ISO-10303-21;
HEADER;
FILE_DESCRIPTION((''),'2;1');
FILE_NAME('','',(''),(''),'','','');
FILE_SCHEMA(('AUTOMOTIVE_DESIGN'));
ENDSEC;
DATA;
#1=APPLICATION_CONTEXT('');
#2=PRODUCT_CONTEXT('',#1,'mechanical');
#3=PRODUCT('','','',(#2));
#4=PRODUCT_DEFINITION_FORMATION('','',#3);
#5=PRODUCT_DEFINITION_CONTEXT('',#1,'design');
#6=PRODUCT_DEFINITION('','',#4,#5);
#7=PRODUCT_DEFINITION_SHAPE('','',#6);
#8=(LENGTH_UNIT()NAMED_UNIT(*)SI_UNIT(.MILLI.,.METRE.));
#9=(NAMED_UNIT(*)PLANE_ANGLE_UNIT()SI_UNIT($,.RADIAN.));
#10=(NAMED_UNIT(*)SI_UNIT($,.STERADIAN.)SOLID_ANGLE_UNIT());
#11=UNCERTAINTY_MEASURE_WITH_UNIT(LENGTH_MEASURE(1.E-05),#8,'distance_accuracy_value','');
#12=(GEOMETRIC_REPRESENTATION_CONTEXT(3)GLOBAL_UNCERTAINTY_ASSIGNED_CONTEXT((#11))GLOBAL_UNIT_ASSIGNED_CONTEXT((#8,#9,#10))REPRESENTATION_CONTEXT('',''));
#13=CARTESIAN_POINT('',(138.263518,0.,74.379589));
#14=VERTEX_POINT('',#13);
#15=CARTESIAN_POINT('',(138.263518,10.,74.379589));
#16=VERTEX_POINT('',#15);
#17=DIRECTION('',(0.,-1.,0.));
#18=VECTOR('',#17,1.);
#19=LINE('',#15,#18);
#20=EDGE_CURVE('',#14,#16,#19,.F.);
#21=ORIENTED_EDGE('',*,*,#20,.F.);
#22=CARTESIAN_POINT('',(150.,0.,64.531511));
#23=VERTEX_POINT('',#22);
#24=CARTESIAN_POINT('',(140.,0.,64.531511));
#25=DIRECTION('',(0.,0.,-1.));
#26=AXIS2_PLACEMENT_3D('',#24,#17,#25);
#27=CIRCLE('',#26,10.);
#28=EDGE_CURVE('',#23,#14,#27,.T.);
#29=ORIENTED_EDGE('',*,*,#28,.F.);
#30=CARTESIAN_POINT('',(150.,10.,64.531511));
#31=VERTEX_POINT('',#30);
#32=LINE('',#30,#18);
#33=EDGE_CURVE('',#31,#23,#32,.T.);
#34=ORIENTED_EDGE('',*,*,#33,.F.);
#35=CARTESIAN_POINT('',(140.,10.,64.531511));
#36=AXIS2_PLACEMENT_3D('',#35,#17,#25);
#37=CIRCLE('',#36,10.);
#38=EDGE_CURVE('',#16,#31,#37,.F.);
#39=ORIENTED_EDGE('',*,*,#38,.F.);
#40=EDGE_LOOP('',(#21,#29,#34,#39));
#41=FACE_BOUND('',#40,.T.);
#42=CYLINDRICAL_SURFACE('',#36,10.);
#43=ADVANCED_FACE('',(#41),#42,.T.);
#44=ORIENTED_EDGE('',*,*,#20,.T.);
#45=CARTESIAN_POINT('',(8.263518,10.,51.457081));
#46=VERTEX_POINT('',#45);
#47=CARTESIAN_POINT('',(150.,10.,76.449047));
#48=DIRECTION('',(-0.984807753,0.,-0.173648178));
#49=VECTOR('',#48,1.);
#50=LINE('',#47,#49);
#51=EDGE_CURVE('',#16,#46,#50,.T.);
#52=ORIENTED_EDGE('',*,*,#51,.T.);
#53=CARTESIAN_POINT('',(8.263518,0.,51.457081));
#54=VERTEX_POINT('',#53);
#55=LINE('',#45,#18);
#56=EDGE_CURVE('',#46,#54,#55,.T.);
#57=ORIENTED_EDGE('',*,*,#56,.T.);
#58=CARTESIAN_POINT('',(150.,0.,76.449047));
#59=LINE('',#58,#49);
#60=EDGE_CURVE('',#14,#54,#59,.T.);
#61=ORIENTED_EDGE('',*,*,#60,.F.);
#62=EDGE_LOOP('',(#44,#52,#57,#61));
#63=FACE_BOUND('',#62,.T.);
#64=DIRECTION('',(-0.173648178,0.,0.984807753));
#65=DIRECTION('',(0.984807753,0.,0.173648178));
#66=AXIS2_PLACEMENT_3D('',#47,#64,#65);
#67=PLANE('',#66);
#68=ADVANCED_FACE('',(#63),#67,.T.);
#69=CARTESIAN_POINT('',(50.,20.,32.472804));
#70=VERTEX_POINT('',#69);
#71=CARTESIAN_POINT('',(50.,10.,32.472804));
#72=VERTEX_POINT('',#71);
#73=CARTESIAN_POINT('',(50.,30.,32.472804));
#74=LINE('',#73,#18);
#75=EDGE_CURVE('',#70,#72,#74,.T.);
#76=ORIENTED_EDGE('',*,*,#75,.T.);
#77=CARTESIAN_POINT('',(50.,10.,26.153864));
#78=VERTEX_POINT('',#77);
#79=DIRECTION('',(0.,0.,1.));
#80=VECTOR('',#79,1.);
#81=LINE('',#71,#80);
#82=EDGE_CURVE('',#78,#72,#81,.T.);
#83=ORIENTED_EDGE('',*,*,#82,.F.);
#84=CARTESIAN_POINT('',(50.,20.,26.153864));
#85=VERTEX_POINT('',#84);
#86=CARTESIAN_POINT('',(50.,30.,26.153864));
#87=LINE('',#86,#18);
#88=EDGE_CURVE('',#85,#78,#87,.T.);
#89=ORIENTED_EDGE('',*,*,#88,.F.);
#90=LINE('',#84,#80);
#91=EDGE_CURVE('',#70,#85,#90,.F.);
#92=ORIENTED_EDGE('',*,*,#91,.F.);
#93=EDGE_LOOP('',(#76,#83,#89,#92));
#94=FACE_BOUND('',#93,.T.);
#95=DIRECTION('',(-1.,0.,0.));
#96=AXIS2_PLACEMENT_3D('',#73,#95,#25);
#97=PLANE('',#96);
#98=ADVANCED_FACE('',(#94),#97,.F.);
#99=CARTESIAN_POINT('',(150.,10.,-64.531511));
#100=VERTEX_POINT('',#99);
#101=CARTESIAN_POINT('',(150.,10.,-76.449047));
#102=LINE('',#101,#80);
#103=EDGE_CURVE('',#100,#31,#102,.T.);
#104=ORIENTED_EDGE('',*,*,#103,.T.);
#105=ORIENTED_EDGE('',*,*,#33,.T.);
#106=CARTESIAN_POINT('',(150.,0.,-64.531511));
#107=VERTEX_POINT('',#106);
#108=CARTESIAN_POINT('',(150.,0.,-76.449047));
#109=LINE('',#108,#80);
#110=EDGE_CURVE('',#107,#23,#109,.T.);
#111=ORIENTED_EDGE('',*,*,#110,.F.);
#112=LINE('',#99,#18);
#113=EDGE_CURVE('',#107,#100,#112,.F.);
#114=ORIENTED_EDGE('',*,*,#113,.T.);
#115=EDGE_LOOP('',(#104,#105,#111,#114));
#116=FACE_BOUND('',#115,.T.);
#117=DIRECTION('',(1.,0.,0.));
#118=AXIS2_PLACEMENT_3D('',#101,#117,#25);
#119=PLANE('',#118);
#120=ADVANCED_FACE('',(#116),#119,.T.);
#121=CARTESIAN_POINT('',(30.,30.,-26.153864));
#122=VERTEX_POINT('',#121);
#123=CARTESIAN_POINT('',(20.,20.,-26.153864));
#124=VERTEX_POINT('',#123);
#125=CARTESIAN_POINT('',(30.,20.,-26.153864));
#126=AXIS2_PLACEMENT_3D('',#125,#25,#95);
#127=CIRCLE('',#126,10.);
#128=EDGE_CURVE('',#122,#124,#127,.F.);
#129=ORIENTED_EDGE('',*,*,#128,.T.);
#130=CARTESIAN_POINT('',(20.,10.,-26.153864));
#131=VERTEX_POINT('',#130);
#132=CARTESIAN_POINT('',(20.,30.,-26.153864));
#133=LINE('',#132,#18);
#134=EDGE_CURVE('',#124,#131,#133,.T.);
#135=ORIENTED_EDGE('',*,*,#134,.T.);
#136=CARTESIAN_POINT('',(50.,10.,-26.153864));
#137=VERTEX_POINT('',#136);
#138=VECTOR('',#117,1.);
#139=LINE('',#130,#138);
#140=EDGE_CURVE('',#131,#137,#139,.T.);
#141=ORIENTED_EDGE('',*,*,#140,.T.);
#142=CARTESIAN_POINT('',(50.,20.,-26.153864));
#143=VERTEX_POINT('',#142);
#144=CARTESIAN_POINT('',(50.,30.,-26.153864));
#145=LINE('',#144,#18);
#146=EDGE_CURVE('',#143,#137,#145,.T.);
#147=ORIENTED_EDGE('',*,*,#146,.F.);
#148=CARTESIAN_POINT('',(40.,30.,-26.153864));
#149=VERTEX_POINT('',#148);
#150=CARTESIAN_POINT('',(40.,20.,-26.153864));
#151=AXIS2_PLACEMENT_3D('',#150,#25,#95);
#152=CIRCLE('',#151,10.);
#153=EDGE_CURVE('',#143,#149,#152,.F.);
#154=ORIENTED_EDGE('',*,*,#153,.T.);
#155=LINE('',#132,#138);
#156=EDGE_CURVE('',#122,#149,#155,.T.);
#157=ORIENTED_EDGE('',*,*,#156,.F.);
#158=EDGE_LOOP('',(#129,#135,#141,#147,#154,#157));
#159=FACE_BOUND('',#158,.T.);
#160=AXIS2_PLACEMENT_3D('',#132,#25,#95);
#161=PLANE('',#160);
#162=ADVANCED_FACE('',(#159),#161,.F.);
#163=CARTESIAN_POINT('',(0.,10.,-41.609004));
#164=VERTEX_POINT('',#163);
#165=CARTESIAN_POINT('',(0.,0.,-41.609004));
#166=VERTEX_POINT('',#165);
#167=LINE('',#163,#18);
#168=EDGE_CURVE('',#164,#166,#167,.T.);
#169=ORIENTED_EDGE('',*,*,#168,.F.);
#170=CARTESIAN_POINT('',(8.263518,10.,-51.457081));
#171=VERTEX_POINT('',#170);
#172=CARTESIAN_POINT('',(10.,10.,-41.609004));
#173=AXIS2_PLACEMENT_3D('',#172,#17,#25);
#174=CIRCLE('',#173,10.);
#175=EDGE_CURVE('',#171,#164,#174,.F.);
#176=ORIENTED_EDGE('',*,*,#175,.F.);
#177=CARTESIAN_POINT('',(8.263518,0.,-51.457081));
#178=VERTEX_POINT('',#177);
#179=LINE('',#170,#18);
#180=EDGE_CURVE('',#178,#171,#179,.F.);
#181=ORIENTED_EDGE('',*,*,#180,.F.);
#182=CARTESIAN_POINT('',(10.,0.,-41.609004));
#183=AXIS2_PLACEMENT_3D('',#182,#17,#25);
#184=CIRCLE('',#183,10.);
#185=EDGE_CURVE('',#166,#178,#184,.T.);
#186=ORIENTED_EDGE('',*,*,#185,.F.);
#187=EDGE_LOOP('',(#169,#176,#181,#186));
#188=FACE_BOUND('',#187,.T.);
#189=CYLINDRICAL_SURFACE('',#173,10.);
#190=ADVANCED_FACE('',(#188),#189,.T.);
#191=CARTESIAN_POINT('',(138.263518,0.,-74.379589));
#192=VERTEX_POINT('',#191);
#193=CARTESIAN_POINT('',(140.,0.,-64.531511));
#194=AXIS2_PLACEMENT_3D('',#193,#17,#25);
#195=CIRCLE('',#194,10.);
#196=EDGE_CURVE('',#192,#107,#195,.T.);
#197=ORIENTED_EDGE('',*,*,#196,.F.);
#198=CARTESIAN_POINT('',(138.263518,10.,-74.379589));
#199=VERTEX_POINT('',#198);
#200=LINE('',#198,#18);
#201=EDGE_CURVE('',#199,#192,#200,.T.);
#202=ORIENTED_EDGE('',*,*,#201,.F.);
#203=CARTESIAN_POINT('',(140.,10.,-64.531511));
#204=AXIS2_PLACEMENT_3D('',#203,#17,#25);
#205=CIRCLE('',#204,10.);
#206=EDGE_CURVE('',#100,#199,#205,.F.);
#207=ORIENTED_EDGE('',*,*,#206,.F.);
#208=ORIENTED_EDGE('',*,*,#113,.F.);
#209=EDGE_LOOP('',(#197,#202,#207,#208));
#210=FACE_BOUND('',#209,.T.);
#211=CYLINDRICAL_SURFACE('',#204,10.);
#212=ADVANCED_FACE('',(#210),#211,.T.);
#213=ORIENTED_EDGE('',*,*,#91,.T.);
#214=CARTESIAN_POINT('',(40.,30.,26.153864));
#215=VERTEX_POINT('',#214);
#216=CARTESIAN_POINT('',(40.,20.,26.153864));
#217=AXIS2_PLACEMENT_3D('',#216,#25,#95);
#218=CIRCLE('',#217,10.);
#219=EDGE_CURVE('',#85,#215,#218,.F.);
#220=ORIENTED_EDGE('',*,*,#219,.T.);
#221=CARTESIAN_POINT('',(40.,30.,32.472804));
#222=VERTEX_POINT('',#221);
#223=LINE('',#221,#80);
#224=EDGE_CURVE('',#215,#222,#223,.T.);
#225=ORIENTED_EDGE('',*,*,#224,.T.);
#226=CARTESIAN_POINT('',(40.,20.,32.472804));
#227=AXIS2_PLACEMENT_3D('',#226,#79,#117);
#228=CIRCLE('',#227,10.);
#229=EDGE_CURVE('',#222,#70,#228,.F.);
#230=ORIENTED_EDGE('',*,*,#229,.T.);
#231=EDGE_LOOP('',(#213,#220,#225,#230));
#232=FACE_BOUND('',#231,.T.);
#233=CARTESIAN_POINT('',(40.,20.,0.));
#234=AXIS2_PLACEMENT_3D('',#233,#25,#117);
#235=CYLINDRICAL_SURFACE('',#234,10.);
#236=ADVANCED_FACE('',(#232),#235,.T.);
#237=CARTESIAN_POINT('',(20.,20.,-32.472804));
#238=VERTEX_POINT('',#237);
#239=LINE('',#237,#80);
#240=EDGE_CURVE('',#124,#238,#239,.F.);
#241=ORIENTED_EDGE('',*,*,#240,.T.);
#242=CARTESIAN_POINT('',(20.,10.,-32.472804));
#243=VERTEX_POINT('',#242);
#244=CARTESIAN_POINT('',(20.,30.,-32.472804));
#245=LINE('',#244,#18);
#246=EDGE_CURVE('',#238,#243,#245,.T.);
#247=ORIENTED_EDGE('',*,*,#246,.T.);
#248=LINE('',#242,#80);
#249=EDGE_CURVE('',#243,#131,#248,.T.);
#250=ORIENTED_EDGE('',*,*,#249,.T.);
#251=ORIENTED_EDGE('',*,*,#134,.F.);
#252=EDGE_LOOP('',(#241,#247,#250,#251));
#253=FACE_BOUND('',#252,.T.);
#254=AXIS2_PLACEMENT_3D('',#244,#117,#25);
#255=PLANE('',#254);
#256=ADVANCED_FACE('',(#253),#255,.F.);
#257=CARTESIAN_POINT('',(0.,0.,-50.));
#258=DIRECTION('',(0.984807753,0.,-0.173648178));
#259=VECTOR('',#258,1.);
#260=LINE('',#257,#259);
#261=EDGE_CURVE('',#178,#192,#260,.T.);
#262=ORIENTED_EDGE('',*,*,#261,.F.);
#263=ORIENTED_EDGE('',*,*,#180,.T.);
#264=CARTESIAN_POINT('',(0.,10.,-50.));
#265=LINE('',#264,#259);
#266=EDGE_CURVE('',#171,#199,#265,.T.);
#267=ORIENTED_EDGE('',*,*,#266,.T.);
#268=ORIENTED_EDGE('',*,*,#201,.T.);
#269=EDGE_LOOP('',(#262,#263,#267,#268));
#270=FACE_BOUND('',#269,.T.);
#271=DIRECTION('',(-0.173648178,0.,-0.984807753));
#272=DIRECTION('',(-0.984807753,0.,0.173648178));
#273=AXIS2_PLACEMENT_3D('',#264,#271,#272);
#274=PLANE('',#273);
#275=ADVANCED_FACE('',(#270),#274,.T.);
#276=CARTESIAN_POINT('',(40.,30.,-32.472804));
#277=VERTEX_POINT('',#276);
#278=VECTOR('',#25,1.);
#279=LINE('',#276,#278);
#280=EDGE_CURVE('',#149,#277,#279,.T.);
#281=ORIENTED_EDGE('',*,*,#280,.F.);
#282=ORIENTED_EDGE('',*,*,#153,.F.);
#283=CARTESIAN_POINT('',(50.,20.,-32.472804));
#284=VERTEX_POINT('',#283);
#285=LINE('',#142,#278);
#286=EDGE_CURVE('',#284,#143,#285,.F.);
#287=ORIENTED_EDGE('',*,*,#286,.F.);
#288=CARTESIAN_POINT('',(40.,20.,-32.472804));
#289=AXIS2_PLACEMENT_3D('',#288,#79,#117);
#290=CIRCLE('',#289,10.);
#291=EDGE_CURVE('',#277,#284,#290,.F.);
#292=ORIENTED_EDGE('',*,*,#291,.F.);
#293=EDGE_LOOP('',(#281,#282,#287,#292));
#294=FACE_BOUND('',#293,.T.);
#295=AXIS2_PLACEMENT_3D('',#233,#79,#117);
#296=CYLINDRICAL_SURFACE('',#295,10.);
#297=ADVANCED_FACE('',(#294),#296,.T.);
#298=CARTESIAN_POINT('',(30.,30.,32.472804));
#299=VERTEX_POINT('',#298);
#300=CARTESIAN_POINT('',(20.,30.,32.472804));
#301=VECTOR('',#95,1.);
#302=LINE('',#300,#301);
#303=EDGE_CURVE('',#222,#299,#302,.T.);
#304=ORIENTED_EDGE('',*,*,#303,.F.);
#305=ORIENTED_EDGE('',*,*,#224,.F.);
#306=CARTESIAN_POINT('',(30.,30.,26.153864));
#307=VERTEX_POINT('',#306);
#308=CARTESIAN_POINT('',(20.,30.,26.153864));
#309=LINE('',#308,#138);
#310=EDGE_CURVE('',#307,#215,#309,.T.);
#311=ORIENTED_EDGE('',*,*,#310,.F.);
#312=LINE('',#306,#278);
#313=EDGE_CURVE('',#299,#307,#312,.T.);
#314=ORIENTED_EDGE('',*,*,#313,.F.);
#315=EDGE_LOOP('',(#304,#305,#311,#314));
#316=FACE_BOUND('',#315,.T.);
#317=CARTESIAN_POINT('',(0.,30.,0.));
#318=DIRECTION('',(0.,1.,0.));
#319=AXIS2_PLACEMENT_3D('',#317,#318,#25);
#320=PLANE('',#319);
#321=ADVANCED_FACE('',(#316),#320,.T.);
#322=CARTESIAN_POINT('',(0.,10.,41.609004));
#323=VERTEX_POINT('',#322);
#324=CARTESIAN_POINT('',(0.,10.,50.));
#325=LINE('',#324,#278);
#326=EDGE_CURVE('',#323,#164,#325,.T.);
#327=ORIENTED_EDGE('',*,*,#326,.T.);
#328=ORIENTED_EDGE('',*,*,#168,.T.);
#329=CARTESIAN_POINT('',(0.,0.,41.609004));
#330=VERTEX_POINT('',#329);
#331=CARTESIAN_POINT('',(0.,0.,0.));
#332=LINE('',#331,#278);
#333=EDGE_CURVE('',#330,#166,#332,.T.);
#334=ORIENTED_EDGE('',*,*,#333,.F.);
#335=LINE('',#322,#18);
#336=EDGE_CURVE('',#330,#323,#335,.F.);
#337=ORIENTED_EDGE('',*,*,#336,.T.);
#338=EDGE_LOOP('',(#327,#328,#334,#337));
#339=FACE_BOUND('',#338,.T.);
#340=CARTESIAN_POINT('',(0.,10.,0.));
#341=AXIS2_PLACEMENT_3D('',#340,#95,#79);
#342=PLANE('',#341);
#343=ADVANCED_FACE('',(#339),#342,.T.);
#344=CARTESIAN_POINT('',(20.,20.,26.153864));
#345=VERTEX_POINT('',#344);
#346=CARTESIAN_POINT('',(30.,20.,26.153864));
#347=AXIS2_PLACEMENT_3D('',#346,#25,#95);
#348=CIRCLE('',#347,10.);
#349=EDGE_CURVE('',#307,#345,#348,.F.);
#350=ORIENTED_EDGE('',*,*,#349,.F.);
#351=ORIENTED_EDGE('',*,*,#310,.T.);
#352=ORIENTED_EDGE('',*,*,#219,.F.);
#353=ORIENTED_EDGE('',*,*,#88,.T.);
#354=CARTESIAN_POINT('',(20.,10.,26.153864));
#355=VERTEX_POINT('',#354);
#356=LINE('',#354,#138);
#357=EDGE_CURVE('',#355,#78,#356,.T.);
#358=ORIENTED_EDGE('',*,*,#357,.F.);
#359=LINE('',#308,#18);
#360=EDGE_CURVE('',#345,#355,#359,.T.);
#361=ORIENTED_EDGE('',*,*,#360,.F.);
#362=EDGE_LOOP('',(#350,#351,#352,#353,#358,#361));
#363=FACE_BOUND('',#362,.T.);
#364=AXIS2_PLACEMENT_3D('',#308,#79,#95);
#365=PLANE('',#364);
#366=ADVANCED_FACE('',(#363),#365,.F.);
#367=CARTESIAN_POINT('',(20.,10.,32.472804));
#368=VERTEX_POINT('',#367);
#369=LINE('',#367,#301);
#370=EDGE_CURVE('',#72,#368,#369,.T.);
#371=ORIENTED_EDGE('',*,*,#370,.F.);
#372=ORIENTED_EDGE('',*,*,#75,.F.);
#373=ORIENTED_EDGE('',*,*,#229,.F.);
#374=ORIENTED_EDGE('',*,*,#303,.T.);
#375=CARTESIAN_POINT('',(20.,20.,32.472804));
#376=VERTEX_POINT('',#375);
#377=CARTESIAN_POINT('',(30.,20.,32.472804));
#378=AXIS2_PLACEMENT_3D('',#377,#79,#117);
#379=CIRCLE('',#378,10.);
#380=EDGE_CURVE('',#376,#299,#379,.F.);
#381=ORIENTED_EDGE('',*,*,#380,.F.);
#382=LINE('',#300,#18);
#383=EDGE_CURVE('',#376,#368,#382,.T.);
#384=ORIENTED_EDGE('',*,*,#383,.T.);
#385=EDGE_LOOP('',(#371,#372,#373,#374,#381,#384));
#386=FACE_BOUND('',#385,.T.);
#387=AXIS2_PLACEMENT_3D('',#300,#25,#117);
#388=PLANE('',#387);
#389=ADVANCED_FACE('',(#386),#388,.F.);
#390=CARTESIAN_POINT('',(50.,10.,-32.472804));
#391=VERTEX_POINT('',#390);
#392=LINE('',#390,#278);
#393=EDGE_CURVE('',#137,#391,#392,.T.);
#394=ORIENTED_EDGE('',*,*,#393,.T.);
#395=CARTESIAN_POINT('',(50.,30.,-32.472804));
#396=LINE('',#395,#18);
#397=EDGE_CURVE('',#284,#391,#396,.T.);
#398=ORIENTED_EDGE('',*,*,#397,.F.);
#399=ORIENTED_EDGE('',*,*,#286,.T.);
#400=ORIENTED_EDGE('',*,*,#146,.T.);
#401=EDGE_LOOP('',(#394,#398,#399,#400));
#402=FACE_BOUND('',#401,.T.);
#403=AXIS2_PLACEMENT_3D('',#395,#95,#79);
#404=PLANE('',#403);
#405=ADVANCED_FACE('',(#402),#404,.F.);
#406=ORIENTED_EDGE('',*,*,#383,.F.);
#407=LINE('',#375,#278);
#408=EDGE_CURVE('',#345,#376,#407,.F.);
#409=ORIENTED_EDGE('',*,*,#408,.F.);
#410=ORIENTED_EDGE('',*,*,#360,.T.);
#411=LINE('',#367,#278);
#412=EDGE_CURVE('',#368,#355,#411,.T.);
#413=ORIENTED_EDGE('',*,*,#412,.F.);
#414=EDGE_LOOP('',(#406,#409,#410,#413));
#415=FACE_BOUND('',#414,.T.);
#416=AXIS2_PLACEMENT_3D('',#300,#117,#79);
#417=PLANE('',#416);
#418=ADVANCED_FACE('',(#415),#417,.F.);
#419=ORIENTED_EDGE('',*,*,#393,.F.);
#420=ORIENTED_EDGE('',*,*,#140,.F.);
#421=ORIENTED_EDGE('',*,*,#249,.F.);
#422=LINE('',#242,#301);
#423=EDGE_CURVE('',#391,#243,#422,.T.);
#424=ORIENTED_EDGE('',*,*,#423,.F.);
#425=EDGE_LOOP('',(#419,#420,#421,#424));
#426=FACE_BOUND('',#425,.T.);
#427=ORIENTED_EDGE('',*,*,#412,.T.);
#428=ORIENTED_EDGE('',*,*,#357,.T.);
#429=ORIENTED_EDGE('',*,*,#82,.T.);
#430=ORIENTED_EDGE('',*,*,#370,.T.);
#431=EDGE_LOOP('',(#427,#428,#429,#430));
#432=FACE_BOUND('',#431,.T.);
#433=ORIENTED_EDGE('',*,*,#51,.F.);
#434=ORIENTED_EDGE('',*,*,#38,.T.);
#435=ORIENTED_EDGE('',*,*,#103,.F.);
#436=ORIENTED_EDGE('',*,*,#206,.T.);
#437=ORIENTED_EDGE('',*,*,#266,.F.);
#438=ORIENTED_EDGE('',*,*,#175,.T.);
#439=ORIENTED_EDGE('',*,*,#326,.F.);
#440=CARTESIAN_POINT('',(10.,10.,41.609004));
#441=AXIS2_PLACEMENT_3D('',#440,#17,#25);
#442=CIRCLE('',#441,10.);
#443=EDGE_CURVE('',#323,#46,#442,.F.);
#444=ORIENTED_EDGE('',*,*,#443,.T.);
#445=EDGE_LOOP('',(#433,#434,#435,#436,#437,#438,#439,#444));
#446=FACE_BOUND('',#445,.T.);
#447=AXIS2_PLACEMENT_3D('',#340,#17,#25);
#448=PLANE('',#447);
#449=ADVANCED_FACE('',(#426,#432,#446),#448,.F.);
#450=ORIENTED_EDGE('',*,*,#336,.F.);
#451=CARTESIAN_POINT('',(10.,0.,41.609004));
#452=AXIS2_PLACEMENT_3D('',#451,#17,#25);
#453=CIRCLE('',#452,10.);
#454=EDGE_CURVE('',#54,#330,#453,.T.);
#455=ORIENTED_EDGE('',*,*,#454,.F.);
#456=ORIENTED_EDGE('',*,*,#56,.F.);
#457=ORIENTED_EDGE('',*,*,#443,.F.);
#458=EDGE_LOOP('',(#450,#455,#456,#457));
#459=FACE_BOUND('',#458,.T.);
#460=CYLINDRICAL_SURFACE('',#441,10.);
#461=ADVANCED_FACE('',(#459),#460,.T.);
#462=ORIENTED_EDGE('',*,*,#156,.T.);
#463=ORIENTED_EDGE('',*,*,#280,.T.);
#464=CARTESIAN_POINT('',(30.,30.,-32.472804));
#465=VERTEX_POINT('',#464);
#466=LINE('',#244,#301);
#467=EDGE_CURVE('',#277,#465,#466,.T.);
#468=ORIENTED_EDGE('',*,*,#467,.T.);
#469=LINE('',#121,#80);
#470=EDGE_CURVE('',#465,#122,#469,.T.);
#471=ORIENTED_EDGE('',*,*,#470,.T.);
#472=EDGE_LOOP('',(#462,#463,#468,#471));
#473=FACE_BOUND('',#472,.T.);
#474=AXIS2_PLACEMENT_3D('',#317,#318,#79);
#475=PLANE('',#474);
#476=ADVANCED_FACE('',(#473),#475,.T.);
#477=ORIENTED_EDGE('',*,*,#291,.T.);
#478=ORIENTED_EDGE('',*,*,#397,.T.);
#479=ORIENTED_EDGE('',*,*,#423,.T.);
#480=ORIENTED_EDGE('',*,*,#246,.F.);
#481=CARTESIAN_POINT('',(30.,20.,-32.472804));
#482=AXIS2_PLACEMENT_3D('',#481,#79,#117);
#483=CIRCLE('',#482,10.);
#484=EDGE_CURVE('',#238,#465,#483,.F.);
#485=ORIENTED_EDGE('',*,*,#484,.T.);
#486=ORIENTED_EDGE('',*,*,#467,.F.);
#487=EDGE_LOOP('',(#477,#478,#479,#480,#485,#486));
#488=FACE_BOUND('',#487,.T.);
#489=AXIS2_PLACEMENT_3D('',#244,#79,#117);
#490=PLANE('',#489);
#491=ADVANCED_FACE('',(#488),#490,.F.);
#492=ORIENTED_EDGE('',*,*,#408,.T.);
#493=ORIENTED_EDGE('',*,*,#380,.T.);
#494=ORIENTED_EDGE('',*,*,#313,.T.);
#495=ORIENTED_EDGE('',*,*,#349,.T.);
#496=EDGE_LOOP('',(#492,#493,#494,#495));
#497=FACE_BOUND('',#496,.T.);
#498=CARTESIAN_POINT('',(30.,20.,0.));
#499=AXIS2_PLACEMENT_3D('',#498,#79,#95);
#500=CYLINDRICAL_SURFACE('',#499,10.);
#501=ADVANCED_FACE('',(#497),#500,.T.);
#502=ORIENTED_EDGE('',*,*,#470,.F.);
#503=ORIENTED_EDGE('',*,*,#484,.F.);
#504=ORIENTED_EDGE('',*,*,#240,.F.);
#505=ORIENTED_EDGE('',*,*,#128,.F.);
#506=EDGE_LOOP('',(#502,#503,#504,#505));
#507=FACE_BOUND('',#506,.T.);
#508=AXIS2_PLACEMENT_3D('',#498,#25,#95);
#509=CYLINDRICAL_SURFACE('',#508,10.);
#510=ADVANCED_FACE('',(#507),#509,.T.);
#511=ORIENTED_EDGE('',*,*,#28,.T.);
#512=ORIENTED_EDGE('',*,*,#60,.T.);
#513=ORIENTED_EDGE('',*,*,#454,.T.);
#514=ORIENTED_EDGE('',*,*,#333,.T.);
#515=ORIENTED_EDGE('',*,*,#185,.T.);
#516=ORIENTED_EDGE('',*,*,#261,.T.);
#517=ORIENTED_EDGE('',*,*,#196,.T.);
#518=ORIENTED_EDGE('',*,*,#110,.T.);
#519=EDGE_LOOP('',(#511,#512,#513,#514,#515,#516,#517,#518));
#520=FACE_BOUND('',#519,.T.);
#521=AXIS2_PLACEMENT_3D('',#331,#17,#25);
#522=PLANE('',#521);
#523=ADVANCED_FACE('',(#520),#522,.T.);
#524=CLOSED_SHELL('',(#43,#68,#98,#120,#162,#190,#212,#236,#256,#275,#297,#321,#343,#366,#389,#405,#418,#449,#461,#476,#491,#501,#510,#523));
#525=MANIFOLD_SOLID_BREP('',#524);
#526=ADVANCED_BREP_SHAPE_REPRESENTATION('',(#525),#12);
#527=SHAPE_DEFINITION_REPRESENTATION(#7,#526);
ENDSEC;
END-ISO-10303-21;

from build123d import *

# Parameters (mm, degrees)
BOSS_EXTRUDE1_DEPTH = 10
SKETCH2_W           = 30
SKETCH2_H           = 6.318939308
BOSS_EXTRUDE2_DEPTH = 20
FILLET2_R           = 10
FILLET3_R           = 10


with BuildPart() as part:
    # Sketch1 → Boss-Extrude1 (new body)
    with BuildSketch(Plane(origin=(0, 0, 0), x_dir=(1, 0, 0), z_dir=(0, 1, 0))):
        Polygon((0, 0), (0, 50), (150, 76.449047106), (150, -76.449047106), (0, -50), align=None)
    extrude(amount=BOSS_EXTRUDE1_DEPTH)

    # Sketch2 → Boss-Extrude2 (add)
    with BuildSketch(Plane(origin=(0, 10, 0), x_dir=(1, 0, 0), z_dir=(0, 1, 0))):
        with Locations((35, 29.313333891)):
            Rectangle(SKETCH2_W, SKETCH2_H)
    extrude(amount=BOSS_EXTRUDE2_DEPTH)

    # Fillet2
    fillet2_edges = [part.edges().sort_by_distance(p)[0] for p in [
        (20, 30, -29.313333891),
        (50, 30, -29.313333891),
    ]]
    fillet(fillet2_edges, radius=FILLET2_R)

    # Mirror1: part across plane


with BuildPart() as part_1:
    add(part.part)
    add(part.part.mirror(Plane.XY))

    # Fillet3
    fillet3_edges = [part_1.edges().sort_by_distance(p)[0] for p in [
        (150, 5, 76.449047106),
        (150, 5, -76.449047106),
        (0, 5, -50),
        (0, 5, 50),
    ]]
    fillet(fillet3_edges, radius=FILLET3_R)


solid = part_1.part
